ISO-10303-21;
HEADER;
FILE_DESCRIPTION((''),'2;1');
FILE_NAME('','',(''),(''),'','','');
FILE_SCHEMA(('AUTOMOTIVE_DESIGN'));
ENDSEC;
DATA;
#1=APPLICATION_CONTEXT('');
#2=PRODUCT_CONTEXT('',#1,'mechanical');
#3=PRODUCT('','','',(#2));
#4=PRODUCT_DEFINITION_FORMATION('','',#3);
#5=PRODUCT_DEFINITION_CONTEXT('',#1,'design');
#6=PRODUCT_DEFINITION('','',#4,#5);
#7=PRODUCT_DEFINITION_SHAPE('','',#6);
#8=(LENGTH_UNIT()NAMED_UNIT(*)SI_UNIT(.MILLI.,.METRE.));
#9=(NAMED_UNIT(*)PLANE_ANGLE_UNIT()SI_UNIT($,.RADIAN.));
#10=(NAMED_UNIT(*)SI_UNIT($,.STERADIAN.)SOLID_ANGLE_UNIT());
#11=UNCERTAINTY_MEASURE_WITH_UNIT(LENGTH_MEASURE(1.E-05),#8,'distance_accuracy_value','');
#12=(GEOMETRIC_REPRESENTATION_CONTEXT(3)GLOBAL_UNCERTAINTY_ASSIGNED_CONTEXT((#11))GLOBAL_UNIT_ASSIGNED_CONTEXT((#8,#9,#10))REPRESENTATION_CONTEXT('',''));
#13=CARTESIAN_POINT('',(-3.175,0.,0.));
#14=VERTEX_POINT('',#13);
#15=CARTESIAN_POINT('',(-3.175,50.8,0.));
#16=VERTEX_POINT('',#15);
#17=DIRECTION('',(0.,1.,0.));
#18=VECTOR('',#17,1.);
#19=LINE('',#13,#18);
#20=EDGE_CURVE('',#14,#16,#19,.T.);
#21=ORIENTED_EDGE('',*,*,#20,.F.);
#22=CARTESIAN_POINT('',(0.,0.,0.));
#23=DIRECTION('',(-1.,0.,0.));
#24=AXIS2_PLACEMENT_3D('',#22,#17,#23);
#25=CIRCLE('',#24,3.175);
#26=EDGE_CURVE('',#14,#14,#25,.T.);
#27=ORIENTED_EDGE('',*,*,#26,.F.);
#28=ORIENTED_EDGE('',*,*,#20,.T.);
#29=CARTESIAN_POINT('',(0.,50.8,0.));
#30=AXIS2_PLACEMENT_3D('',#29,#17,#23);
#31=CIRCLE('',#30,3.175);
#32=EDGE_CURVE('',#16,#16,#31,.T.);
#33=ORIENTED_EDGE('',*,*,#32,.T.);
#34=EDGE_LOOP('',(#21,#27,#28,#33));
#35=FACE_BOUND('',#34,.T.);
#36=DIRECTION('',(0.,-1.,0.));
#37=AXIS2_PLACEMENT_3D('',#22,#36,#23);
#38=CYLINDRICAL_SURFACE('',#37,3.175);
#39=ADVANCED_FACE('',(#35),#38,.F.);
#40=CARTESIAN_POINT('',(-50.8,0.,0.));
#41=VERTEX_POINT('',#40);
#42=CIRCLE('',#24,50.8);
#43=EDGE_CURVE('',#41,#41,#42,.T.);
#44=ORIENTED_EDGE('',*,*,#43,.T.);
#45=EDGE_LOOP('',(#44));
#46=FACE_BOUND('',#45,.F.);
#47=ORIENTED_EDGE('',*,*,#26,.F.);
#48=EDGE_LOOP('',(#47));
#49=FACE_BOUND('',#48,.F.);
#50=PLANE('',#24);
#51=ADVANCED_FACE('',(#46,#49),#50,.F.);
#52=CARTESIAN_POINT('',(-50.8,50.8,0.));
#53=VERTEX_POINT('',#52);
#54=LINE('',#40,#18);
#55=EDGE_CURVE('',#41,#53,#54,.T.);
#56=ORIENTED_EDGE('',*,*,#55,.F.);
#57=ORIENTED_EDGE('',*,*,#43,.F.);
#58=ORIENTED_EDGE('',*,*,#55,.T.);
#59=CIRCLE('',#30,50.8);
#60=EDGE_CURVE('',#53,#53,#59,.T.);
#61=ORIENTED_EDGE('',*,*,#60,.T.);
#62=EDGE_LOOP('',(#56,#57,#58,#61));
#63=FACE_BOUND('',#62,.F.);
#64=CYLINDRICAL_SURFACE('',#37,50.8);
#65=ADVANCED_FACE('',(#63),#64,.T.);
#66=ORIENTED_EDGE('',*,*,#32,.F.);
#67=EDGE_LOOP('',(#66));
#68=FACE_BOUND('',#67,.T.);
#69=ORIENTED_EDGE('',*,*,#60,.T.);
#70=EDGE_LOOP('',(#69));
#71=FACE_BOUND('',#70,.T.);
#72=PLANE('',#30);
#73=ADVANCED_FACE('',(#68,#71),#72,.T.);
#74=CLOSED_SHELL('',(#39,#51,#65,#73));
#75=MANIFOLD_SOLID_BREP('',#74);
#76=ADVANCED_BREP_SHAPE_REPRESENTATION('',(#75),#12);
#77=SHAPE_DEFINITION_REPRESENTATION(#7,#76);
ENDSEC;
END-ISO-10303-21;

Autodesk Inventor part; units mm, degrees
ref_plane "YZ Plane" through (0, 0, 0) normal (1, 0, 0) x (0, 1, 0)
ref_plane "XZ Plane" through (0, 0, 0) normal (0, 1, 0) x (-1, 0, 0)
ref_plane "XY Plane" through (0, 0, 0) normal (0, 0, 1) x (1, 0, 0)
sketch "Sketch1" plane through (0, 0, 0) normal (0, 1, 0) x (-1, 0, 0)
  circle A0 centre (0, 0) radius 50.8
  circle A1 centre (0, 0) radius 3.175
  dimension "d0" = 101.6
  dimension "d1" = 6.35
extrude "Extrusion1" add sketch "Sketch1" along normal blind 50.8
properties part number "generic wheel"
